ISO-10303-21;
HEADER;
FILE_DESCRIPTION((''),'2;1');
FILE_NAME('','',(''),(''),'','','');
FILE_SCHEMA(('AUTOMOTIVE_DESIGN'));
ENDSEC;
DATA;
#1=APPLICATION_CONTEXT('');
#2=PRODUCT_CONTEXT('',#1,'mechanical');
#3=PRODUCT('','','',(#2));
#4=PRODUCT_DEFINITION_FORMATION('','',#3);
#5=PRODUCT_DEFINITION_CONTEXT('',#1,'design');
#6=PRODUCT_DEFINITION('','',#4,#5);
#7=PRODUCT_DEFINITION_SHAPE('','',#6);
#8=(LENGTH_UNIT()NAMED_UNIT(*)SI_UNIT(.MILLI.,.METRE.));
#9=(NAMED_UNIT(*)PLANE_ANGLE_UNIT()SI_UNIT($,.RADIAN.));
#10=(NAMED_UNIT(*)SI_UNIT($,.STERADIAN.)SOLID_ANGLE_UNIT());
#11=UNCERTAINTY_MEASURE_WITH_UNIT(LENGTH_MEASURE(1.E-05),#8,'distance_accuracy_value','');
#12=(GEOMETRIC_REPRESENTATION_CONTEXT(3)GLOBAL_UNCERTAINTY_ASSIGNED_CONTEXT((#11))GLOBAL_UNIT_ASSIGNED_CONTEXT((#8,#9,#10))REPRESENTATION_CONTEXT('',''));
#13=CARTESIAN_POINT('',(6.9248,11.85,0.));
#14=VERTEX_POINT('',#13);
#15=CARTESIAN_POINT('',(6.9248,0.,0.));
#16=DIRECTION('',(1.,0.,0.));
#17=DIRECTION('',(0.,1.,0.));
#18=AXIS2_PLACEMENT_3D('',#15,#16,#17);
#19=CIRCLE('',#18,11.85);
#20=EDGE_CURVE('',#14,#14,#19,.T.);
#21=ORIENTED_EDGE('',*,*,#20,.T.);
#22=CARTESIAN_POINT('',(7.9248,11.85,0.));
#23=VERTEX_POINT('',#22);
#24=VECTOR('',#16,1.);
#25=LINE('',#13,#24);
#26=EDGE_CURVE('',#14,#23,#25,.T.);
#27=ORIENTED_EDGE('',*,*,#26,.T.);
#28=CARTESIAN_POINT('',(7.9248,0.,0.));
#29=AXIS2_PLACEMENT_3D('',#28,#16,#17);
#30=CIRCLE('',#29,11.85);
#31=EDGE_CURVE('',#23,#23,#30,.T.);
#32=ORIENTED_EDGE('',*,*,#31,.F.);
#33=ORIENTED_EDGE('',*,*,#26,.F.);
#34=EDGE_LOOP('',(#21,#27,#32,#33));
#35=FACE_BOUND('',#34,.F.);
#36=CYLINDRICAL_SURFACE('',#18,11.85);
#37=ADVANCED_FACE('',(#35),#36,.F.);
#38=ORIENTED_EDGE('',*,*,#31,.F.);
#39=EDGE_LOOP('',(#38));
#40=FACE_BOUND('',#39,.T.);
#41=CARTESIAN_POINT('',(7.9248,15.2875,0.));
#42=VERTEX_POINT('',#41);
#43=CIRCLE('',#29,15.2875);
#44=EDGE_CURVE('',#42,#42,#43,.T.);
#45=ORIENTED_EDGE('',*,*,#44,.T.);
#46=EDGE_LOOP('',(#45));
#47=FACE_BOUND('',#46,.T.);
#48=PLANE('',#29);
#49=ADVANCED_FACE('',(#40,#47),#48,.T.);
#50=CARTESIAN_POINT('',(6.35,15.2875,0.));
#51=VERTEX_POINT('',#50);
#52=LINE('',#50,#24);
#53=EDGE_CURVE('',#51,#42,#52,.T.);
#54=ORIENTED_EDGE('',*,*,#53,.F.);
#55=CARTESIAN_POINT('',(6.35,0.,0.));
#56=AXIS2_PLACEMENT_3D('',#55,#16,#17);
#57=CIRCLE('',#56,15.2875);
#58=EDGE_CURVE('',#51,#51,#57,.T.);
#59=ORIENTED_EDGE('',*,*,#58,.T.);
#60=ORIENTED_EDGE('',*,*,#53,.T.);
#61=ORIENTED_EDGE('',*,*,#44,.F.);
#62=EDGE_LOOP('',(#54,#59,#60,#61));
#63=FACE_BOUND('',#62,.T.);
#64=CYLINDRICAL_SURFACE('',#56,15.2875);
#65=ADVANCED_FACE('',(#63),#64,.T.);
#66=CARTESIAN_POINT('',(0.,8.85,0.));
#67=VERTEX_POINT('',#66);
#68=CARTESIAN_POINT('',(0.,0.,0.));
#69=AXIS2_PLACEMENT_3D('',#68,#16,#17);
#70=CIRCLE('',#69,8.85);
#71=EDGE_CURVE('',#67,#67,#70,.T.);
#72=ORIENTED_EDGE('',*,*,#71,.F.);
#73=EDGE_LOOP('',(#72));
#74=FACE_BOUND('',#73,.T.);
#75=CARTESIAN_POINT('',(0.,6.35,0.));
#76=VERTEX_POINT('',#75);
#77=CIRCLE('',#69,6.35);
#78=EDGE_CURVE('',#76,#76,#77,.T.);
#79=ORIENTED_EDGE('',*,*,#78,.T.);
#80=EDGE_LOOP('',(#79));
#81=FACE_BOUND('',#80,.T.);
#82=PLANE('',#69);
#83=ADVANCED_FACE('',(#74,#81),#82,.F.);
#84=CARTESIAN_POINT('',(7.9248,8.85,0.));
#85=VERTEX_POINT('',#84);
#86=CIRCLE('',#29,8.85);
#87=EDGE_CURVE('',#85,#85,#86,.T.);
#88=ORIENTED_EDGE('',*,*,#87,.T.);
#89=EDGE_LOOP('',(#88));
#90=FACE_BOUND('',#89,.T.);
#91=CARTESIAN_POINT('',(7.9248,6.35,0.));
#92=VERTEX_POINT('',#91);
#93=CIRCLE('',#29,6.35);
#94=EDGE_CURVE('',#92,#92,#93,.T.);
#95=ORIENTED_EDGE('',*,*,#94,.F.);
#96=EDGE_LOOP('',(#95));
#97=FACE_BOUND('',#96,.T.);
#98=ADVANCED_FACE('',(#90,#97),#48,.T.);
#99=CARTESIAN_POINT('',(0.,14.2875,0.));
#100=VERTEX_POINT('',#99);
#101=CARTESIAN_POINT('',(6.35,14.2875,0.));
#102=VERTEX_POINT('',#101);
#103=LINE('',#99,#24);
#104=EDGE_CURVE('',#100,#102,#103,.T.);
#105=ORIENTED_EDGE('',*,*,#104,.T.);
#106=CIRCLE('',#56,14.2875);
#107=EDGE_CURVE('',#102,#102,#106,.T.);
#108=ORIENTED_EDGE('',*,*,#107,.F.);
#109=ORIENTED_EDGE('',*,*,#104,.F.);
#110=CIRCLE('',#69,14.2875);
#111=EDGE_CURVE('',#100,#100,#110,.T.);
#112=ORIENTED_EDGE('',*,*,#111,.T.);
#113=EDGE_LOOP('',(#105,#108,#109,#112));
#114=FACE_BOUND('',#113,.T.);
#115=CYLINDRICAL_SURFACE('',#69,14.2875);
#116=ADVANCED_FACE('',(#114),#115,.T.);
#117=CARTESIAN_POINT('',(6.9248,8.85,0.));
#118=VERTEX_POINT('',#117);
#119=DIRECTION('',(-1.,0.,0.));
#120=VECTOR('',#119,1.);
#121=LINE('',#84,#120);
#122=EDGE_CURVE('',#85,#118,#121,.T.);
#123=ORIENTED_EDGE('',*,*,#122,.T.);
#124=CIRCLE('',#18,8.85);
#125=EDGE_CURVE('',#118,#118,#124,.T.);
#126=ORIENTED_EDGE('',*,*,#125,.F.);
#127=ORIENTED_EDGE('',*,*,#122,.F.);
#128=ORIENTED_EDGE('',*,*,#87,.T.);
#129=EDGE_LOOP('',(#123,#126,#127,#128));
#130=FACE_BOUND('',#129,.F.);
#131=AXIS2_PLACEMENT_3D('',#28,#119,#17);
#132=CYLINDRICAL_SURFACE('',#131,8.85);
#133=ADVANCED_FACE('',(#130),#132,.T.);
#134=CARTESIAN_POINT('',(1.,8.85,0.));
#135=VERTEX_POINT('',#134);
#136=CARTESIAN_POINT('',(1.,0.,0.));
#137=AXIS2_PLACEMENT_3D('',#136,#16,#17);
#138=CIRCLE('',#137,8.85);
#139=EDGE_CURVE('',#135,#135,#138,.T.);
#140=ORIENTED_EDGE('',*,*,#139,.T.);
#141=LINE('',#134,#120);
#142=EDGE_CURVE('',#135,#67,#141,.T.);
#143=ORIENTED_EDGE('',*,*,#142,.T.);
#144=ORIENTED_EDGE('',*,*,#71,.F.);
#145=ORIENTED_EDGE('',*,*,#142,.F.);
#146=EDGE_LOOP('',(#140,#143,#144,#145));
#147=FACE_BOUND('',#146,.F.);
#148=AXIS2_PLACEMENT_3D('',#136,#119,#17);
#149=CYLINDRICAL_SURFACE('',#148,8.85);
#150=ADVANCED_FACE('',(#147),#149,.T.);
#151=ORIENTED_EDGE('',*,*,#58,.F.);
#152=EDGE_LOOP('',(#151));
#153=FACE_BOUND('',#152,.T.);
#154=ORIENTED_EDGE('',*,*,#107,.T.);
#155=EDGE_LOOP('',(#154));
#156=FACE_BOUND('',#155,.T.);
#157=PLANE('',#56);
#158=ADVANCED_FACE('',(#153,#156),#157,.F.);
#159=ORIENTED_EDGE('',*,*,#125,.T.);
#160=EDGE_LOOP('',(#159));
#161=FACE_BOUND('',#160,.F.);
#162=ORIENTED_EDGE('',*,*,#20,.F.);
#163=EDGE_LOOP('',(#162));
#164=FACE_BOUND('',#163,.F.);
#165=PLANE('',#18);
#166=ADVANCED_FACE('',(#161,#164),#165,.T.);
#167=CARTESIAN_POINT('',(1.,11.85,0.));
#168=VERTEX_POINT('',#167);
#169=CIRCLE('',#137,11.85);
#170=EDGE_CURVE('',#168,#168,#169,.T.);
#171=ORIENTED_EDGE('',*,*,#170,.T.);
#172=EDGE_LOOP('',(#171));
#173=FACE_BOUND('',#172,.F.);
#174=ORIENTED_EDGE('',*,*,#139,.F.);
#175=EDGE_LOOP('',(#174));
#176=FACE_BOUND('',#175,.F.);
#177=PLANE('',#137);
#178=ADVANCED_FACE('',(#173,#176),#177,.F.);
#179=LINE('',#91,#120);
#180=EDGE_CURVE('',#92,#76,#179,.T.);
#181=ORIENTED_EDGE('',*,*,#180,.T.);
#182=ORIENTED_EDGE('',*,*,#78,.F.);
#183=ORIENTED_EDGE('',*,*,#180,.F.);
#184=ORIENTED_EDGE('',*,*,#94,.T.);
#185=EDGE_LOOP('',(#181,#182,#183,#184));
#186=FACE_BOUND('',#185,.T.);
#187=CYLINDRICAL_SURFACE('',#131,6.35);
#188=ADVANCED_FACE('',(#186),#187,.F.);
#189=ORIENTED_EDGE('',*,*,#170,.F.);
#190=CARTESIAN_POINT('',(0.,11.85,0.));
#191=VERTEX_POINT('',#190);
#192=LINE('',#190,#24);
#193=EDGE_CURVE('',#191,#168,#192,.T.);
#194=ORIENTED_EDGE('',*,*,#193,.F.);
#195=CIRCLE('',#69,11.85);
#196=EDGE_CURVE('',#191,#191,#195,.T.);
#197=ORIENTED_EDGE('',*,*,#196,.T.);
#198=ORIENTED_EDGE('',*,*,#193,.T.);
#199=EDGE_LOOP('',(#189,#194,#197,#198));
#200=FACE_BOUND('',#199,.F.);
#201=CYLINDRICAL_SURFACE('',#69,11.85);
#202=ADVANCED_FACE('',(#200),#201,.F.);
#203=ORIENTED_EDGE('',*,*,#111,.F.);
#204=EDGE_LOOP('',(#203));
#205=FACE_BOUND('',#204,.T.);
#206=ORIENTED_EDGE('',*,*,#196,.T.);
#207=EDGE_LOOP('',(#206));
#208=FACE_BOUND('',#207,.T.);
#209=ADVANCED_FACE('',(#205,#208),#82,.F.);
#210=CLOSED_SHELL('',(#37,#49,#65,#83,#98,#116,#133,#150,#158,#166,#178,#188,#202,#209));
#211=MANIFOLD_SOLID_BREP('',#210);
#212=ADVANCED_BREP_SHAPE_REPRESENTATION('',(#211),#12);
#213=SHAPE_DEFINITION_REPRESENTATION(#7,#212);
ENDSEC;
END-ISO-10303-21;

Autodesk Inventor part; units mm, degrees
ref_plane "YZ Plane" through (0, 0, 0) normal (1, 0, 0) x (0, 1, 0)
ref_plane "XZ Plane" through (0, 0, 0) normal (0, 1, 0) x (-1, 0, 0)
ref_plane "XY Plane" through (0, 0, 0) normal (0, 0, 1) x (1, 0, 0)
sketch "Sketch1" plane through (0, 0, 0) normal (0, 0, 1) x (1, 0, 0)
  line L0 (0, 14.2875) -> (6.35, 14.2875)
  line L1 (6.35, 14.2875) -> (6.35, 15.2875)
  line L2 (6.35, 15.2875) -> (7.9248, 15.2875)
  line L3 (7.9248, 15.2875) -> (7.9248, 6.35)
  line L4 (7.9248, 6.35) -> (0, 6.35)
  line L5 (0, 6.35) -> (0, 14.2875)
  line L6 (0, 0) -> (7.9248, 0)
  line L7 (0, 11.85) -> (1, 11.85)
  line L8 (1, 11.85) -> (1, 8.85)
  line L9 (1, 8.85) -> (0, 8.85)
  line L10 (0, 8.85) -> (0, 11.85)
  line L11 (7.9248, 8.85) -> (6.9248, 8.85)
  line L12 (6.9248, 8.85) -> (6.9248, 11.85)
  line L13 (6.9248, 11.85) -> (7.9248, 11.85)
  line L14 (7.9248, 11.85) -> (7.9248, 8.85)
  dimension "d0" = 7.9248
  dimension "d2" = 12.7
  dimension "d3" = 28.575
  dimension "d4" = 1.5748
  dimension "d5" = 1
  dimension "d7" = 1
  dimension "d8" = 3
  dimension "d9" = 2.5
revolve "Revolution1" add sketch "Sketch1" angle 360 about axis through (0, 0, 0) along (1, 0, 0) contours L0 L1 L2 L3 L13 L12 L11 L4 L5 L9 L8 L7
properties part number "RoundBearing-1-2-inch"
